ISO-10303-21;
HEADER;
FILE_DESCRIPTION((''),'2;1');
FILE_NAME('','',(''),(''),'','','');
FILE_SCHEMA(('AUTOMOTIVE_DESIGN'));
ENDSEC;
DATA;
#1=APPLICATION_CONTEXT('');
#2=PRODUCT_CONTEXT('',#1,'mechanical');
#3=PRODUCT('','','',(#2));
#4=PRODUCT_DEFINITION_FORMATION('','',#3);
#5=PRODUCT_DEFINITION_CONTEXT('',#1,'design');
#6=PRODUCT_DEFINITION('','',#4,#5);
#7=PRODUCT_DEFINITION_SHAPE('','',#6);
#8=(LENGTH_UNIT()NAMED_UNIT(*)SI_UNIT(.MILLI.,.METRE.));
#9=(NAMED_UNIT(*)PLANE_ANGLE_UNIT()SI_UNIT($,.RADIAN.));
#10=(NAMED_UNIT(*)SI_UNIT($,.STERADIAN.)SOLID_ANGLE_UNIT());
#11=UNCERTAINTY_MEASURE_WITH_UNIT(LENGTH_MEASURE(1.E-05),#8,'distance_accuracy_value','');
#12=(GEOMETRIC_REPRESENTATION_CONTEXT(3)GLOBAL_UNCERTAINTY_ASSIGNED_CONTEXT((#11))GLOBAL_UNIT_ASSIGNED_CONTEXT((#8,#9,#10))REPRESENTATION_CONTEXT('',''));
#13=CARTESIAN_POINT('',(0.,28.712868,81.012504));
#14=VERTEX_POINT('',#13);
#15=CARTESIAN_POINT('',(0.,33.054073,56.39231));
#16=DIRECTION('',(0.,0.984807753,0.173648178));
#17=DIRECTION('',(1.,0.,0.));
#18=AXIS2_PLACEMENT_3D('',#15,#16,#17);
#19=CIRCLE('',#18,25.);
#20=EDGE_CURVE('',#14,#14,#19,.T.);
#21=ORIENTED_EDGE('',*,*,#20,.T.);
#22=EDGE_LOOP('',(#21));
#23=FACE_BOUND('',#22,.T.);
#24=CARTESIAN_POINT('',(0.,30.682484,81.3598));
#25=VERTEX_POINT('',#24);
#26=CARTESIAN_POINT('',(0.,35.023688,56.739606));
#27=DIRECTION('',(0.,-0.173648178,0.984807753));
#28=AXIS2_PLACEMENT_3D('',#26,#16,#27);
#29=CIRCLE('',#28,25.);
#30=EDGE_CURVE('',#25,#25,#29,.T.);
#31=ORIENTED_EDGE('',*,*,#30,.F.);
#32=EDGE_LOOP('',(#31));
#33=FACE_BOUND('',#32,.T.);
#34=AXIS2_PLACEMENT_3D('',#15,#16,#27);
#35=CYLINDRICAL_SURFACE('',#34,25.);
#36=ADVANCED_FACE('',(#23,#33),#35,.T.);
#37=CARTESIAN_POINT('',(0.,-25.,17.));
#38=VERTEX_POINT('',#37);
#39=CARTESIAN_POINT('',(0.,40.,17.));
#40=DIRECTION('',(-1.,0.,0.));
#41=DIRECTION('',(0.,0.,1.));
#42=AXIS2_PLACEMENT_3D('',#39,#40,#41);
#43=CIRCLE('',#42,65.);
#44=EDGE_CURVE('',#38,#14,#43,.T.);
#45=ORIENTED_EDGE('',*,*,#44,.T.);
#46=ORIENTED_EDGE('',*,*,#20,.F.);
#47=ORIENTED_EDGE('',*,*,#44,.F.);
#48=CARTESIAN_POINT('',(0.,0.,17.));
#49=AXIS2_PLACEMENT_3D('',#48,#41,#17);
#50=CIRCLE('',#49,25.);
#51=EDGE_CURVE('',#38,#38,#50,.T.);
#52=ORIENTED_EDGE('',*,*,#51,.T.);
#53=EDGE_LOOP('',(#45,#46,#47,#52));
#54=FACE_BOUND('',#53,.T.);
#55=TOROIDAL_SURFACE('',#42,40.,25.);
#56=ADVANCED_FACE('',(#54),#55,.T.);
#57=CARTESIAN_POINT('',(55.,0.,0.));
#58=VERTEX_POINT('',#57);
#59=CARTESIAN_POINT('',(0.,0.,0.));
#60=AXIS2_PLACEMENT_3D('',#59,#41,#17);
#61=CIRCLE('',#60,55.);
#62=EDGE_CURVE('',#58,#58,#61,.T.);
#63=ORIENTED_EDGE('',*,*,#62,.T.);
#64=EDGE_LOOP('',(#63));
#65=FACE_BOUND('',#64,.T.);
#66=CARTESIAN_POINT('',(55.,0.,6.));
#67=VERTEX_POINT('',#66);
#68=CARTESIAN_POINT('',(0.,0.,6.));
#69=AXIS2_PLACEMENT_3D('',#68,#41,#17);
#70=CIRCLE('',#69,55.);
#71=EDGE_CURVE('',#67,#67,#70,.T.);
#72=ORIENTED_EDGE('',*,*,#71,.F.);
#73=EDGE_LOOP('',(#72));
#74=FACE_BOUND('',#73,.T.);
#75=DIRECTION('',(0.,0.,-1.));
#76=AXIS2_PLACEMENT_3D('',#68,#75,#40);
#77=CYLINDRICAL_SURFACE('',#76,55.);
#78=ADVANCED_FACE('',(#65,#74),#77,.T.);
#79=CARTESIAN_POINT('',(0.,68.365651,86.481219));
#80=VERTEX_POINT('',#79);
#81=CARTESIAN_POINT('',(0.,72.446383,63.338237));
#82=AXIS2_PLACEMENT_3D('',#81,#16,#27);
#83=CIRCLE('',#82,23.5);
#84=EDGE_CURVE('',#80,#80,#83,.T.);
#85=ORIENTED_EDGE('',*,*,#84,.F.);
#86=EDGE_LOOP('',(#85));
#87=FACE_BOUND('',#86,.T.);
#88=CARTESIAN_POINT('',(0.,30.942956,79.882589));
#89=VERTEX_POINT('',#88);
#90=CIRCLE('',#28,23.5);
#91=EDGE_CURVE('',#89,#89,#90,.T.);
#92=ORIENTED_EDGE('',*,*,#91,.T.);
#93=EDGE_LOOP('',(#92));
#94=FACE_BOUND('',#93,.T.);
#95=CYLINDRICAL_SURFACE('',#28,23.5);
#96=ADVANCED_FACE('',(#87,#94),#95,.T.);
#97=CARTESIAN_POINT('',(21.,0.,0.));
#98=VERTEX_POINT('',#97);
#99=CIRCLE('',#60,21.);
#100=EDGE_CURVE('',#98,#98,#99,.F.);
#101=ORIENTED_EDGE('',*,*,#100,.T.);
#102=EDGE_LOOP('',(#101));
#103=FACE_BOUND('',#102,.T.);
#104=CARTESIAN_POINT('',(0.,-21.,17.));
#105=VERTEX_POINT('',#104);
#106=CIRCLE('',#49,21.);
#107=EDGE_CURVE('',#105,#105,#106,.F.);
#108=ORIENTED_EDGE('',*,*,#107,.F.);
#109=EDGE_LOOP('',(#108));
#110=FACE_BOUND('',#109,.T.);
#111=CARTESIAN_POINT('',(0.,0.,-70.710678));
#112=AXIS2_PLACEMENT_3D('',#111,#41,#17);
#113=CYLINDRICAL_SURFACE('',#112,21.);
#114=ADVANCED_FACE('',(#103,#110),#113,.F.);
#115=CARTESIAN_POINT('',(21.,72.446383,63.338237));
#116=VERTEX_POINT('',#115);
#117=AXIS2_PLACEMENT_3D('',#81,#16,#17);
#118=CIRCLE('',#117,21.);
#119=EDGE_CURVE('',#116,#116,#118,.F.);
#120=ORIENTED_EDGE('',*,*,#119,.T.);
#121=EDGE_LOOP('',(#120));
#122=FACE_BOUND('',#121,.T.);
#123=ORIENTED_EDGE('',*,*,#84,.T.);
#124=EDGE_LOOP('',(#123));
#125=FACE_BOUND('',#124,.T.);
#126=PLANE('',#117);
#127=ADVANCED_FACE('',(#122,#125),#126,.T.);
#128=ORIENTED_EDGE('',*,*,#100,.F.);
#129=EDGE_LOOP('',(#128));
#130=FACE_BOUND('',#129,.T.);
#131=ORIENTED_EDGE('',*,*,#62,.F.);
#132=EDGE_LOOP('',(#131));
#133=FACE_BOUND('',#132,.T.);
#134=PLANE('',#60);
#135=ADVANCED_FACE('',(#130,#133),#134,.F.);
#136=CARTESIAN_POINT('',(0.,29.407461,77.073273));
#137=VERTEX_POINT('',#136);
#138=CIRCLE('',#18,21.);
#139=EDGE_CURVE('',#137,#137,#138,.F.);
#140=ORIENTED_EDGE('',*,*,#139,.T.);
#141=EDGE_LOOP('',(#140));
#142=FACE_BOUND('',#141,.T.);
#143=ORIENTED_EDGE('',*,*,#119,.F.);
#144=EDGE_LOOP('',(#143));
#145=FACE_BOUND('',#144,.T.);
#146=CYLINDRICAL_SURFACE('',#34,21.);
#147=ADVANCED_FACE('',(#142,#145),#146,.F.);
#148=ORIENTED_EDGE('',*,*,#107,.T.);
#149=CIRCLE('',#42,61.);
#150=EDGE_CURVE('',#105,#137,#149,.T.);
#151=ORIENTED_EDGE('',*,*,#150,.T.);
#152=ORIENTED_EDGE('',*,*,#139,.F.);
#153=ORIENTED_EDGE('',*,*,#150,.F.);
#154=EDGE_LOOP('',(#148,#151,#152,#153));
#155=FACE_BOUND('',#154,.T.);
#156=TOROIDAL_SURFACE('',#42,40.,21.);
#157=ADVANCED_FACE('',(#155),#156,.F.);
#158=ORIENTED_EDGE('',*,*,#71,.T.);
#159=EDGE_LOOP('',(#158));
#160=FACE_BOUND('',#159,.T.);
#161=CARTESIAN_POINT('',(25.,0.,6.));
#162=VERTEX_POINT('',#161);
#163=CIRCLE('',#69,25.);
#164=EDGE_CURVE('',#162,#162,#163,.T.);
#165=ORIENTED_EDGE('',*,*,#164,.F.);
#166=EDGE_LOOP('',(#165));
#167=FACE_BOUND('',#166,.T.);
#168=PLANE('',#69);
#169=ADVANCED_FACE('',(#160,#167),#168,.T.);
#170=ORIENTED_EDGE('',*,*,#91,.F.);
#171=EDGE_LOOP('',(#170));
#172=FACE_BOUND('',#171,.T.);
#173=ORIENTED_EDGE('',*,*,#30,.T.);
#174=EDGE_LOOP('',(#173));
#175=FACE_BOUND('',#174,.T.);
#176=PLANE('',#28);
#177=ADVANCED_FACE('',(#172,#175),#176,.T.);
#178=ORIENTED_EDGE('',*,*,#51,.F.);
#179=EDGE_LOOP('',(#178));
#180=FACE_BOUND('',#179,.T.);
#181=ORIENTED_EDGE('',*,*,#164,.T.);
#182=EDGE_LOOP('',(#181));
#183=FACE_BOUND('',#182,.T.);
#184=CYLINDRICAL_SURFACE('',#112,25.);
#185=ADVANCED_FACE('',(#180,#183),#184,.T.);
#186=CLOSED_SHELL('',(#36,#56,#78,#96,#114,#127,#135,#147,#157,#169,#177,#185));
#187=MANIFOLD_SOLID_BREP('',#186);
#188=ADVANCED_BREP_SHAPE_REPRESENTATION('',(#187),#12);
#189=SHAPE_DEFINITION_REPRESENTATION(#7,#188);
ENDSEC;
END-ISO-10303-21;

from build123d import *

# Parameters (mm, degrees)
ESQUISSE1_R             = 55
ESQUISSE1_R_2           = 25
BOSS_EXTRU_1_DEPTH      = 6
BOSS_EXTRU_2_DEPTH      = 1
BOSS_EXTRU_2_DEPTH_BACK = 6
ESQUISSE2_R             = 25
ESQUISSE2_R_2           = 21
ESQUISSE4_R             = 25
ESQUISSE4_R_2           = 21
ESQUISSE8_R             = 25
ESQUISSE8_R_2           = 23.5
ENL_V_MAT_EXTRU_1_DEPTH = 38


with BuildPart() as part:
    # Esquisse1 → Boss.-Extru.1 (new body)
    with BuildSketch(Plane.XY):
        Circle(ESQUISSE1_R)
        Circle(ESQUISSE1_R_2, mode=Mode.SUBTRACT)
    extrude(amount=BOSS_EXTRU_1_DEPTH)

    # Esquisse2 → Boss.-Extru.2 (add, two sides: drawn at the far end of the back side and taken through both)
    with BuildSketch(Plane.XY.offset(6).offset(-BOSS_EXTRU_2_DEPTH_BACK)):
        Circle(ESQUISSE2_R)
        Circle(ESQUISSE2_R_2, mode=Mode.SUBTRACT)
    extrude(amount=BOSS_EXTRU_2_DEPTH + BOSS_EXTRU_2_DEPTH_BACK)

    # Balayage5: sweep along a path in Esquisse3
    with BuildLine(Plane(origin=(0, 0, 0), x_dir=(0, 0, -1), z_dir=(1, 0, 0))) as balayage5_path:
        Line((-7, 0), (-17, 0))
        ThreePointArc((-17, 0), (-42.711504387, 9.358222275), (-56.39231012, 33.054072893))
        Line((-56.39231012, 33.054072893), (-63.338237227, 72.446383014))
    # Esquisse4 → Balayage5 (sweep)
    with BuildSketch(Plane.XY.offset(7)):
        Circle(ESQUISSE4_R)
        Circle(ESQUISSE4_R_2, mode=Mode.SUBTRACT)
    sweep(path=balayage5_path.line)

    # Esquisse8 → Enlèv. mat.-Extru.1 (cut)
    with BuildSketch(Plane(origin=(0, 81.093333754, 14.298942697), x_dir=(1, 0, 0), z_dir=(0, 0.9848077530122087, 0.17364817766692714))):
        with Locations(Location((0, -49.795804695, 0), (0, 0, 270))):
            Circle(ESQUISSE8_R)
        with Locations(Location((0, -49.795804695, 0), (0, 0, 270))):
            Circle(ESQUISSE8_R_2, mode=Mode.SUBTRACT)
    extrude(amount=-ENL_V_MAT_EXTRU_1_DEPTH, mode=Mode.SUBTRACT)


solid = part.part
